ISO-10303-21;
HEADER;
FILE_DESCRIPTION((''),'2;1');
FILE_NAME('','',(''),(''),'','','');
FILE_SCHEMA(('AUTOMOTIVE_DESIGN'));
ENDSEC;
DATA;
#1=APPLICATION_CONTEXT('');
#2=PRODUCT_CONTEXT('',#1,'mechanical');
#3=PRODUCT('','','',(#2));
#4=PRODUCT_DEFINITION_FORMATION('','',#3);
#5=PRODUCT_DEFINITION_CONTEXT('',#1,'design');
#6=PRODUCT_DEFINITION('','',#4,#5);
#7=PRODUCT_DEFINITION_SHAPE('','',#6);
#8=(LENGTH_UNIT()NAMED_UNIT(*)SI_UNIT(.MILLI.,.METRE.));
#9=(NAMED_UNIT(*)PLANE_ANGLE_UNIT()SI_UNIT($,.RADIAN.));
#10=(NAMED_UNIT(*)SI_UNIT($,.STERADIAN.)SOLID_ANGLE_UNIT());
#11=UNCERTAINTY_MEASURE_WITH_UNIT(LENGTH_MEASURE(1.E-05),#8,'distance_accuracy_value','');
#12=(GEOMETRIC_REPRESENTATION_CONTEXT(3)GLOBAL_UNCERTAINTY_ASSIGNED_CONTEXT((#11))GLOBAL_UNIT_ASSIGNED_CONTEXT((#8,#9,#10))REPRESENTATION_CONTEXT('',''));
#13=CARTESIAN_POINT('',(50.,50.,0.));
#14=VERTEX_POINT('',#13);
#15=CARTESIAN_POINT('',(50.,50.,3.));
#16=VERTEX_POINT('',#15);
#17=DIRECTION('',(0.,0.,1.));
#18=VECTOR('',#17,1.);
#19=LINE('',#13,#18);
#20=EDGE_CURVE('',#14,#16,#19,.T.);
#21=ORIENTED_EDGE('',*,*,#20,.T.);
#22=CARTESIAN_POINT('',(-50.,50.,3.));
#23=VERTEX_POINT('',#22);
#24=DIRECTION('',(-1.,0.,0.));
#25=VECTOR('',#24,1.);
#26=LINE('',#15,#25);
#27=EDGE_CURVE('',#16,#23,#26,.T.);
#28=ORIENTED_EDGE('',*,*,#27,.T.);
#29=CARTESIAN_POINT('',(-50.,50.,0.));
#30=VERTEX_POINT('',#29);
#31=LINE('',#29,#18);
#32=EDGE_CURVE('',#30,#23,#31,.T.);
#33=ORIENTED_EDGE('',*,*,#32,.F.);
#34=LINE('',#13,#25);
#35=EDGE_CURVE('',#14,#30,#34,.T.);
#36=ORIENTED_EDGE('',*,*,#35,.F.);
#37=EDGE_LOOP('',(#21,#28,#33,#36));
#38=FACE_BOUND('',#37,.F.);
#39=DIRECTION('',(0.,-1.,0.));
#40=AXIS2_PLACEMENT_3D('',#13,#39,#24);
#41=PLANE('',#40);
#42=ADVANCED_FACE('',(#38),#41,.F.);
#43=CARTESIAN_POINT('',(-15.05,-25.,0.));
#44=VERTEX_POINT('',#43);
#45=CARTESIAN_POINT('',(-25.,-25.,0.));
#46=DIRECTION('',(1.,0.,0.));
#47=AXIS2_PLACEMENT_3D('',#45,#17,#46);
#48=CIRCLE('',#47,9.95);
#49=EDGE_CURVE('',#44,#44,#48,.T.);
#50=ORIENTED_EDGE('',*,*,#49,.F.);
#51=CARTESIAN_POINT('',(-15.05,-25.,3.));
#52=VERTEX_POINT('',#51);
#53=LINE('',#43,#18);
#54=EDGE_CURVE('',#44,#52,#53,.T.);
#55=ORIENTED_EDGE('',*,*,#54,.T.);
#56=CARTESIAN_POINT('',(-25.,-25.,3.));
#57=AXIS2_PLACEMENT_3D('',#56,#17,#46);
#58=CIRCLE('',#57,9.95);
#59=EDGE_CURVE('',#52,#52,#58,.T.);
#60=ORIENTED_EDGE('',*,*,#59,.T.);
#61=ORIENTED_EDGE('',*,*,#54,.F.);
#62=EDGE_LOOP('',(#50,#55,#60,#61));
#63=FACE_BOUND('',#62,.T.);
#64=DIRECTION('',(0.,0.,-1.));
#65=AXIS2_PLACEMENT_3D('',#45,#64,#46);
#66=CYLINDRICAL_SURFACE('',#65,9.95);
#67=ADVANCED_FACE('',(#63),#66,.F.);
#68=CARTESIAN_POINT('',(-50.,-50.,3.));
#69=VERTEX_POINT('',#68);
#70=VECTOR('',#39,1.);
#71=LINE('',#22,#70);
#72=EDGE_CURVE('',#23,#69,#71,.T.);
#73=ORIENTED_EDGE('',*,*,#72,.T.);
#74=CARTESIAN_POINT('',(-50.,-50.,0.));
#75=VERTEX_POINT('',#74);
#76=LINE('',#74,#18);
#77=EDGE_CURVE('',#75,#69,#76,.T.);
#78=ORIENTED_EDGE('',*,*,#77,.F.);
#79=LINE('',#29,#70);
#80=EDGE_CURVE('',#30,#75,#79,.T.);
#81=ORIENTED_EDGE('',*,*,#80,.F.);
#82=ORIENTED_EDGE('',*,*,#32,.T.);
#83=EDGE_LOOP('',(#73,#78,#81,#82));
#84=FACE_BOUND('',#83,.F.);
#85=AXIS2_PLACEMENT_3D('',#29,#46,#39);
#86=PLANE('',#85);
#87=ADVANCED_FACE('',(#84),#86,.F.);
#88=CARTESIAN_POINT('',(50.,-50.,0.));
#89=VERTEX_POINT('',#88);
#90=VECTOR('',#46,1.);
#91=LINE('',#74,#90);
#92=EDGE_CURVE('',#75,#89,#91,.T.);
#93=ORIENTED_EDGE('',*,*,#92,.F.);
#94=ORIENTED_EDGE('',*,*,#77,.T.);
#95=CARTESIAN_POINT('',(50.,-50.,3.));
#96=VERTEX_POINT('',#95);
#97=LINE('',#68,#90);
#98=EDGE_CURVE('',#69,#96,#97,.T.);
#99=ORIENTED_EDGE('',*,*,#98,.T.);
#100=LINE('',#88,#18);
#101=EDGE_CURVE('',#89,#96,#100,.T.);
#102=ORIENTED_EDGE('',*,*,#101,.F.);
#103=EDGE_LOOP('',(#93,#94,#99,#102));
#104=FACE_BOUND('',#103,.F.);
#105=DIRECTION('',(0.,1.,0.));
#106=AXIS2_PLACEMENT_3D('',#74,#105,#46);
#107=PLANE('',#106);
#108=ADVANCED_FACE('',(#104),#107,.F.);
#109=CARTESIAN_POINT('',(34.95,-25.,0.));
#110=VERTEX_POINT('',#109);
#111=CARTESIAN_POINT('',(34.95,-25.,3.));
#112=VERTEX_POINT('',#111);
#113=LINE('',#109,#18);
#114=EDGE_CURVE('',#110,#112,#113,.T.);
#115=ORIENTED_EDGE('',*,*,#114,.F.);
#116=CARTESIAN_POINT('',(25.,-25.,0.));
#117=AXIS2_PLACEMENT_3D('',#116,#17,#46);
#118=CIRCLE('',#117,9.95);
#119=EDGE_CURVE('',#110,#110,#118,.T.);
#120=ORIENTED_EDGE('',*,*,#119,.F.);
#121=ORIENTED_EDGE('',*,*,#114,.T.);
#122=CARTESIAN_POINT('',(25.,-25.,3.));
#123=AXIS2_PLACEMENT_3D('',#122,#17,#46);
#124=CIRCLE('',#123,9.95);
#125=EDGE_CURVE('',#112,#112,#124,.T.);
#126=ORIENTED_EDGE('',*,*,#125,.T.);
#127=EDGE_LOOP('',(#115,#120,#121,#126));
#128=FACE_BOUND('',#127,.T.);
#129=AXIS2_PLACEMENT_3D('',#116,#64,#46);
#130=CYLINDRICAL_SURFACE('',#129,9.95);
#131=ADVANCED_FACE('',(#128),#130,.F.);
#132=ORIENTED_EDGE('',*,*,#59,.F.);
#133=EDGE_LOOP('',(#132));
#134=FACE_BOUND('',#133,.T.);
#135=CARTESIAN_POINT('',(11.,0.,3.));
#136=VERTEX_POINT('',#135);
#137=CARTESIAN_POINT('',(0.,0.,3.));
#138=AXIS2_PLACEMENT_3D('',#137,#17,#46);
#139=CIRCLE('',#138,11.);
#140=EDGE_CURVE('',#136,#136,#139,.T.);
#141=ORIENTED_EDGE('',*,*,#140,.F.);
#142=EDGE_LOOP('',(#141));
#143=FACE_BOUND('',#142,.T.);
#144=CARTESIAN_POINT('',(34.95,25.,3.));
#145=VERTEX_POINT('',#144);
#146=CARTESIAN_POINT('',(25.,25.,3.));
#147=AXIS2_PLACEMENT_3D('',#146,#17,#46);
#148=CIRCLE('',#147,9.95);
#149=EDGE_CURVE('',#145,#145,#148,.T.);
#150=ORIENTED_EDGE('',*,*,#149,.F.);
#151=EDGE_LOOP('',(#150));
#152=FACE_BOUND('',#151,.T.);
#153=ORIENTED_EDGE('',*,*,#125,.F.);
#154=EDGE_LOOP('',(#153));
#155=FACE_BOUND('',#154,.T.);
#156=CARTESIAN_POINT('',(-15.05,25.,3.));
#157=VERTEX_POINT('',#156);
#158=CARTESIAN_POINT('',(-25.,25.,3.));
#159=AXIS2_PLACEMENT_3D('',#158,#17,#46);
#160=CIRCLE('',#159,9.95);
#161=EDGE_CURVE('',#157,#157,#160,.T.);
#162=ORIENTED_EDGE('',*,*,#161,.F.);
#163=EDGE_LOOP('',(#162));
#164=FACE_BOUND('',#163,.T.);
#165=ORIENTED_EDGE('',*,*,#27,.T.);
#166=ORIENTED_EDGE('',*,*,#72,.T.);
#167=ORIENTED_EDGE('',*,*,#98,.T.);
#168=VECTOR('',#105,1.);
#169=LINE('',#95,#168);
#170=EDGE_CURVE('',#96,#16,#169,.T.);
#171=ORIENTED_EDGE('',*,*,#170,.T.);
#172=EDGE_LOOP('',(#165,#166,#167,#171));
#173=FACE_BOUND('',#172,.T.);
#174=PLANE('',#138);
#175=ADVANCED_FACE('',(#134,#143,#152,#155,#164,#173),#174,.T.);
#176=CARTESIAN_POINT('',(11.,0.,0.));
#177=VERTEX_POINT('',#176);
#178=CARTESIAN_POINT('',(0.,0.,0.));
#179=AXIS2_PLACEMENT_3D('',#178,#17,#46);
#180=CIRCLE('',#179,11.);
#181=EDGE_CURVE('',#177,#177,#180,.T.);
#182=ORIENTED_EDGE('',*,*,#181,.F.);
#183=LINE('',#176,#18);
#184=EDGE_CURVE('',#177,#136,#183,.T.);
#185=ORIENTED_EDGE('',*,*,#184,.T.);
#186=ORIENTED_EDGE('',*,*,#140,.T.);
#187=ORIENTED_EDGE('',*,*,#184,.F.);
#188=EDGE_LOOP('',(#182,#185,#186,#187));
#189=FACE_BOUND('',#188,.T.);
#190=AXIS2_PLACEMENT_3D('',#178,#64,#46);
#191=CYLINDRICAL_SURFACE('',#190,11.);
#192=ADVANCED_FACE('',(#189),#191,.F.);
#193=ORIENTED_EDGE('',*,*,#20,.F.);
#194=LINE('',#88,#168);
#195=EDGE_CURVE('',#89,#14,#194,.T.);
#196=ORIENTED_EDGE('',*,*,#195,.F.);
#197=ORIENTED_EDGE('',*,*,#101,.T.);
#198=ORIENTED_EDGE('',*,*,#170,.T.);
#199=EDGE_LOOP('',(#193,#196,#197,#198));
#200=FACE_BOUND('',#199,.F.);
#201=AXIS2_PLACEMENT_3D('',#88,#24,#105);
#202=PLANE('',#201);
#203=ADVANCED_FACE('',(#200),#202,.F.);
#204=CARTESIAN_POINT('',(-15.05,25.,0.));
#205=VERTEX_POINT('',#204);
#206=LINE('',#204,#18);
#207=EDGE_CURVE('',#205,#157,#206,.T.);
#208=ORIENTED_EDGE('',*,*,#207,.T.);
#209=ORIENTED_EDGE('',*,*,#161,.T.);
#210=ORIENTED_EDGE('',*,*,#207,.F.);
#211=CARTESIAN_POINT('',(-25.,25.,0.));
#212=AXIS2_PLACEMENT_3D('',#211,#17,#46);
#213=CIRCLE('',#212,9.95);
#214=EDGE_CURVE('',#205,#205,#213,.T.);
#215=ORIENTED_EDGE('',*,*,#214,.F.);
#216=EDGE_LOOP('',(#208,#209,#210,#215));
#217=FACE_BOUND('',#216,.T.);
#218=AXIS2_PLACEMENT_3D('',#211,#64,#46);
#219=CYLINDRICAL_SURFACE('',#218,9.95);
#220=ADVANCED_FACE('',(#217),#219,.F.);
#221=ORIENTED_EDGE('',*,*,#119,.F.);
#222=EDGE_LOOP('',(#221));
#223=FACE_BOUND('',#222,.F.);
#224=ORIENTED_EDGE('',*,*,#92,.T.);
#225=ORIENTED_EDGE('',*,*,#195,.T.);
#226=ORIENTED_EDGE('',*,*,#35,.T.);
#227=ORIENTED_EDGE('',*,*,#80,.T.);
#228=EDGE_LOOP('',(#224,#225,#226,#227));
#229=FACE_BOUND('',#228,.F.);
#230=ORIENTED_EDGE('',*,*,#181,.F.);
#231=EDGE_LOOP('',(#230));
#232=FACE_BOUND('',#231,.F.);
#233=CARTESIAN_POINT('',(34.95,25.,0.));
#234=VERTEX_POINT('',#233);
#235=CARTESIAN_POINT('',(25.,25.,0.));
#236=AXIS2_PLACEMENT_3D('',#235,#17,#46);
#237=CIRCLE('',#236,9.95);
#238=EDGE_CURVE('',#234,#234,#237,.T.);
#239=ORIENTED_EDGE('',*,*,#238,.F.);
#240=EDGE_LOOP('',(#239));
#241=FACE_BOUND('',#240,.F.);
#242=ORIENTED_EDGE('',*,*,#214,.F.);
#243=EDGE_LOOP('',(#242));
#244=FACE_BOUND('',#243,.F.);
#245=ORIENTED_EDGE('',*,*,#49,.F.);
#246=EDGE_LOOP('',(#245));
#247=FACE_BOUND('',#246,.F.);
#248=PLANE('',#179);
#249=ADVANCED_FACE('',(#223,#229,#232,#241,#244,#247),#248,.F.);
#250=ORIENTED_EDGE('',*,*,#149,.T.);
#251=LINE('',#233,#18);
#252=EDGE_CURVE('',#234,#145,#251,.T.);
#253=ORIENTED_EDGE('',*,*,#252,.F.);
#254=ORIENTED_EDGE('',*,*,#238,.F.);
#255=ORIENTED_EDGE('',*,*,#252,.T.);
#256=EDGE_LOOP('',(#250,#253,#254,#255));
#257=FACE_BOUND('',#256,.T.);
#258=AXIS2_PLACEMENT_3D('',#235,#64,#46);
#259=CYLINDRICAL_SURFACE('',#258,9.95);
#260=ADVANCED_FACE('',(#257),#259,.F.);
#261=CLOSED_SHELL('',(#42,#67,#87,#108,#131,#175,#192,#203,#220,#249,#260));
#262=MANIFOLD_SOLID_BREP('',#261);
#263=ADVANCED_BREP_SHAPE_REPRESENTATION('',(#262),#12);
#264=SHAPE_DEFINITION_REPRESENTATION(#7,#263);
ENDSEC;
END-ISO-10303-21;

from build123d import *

# Parameters (mm, degrees)
F0_R     = 9.95
F0_R_2   = 11
F1_DEPTH = 3


with BuildPart() as f1:
    # F0 (on Top) → F1 (new body)
    with BuildSketch(Plane.XY):
        Polygon((50, 50), (0, 50), (-50, 50), (-50, -50), (50, -50), align=None)
        with Locations((-25, -25)):
            Circle(F0_R, mode=Mode.SUBTRACT)
        with Locations((25, -25)):
            Circle(F0_R, mode=Mode.SUBTRACT)
        with Locations((-25, 25)):
            Circle(F0_R, mode=Mode.SUBTRACT)
        Circle(F0_R_2, mode=Mode.SUBTRACT)
        with Locations((25, 25)):
            Circle(F0_R, mode=Mode.SUBTRACT)
    extrude(amount=F1_DEPTH)


solid = f1.part
